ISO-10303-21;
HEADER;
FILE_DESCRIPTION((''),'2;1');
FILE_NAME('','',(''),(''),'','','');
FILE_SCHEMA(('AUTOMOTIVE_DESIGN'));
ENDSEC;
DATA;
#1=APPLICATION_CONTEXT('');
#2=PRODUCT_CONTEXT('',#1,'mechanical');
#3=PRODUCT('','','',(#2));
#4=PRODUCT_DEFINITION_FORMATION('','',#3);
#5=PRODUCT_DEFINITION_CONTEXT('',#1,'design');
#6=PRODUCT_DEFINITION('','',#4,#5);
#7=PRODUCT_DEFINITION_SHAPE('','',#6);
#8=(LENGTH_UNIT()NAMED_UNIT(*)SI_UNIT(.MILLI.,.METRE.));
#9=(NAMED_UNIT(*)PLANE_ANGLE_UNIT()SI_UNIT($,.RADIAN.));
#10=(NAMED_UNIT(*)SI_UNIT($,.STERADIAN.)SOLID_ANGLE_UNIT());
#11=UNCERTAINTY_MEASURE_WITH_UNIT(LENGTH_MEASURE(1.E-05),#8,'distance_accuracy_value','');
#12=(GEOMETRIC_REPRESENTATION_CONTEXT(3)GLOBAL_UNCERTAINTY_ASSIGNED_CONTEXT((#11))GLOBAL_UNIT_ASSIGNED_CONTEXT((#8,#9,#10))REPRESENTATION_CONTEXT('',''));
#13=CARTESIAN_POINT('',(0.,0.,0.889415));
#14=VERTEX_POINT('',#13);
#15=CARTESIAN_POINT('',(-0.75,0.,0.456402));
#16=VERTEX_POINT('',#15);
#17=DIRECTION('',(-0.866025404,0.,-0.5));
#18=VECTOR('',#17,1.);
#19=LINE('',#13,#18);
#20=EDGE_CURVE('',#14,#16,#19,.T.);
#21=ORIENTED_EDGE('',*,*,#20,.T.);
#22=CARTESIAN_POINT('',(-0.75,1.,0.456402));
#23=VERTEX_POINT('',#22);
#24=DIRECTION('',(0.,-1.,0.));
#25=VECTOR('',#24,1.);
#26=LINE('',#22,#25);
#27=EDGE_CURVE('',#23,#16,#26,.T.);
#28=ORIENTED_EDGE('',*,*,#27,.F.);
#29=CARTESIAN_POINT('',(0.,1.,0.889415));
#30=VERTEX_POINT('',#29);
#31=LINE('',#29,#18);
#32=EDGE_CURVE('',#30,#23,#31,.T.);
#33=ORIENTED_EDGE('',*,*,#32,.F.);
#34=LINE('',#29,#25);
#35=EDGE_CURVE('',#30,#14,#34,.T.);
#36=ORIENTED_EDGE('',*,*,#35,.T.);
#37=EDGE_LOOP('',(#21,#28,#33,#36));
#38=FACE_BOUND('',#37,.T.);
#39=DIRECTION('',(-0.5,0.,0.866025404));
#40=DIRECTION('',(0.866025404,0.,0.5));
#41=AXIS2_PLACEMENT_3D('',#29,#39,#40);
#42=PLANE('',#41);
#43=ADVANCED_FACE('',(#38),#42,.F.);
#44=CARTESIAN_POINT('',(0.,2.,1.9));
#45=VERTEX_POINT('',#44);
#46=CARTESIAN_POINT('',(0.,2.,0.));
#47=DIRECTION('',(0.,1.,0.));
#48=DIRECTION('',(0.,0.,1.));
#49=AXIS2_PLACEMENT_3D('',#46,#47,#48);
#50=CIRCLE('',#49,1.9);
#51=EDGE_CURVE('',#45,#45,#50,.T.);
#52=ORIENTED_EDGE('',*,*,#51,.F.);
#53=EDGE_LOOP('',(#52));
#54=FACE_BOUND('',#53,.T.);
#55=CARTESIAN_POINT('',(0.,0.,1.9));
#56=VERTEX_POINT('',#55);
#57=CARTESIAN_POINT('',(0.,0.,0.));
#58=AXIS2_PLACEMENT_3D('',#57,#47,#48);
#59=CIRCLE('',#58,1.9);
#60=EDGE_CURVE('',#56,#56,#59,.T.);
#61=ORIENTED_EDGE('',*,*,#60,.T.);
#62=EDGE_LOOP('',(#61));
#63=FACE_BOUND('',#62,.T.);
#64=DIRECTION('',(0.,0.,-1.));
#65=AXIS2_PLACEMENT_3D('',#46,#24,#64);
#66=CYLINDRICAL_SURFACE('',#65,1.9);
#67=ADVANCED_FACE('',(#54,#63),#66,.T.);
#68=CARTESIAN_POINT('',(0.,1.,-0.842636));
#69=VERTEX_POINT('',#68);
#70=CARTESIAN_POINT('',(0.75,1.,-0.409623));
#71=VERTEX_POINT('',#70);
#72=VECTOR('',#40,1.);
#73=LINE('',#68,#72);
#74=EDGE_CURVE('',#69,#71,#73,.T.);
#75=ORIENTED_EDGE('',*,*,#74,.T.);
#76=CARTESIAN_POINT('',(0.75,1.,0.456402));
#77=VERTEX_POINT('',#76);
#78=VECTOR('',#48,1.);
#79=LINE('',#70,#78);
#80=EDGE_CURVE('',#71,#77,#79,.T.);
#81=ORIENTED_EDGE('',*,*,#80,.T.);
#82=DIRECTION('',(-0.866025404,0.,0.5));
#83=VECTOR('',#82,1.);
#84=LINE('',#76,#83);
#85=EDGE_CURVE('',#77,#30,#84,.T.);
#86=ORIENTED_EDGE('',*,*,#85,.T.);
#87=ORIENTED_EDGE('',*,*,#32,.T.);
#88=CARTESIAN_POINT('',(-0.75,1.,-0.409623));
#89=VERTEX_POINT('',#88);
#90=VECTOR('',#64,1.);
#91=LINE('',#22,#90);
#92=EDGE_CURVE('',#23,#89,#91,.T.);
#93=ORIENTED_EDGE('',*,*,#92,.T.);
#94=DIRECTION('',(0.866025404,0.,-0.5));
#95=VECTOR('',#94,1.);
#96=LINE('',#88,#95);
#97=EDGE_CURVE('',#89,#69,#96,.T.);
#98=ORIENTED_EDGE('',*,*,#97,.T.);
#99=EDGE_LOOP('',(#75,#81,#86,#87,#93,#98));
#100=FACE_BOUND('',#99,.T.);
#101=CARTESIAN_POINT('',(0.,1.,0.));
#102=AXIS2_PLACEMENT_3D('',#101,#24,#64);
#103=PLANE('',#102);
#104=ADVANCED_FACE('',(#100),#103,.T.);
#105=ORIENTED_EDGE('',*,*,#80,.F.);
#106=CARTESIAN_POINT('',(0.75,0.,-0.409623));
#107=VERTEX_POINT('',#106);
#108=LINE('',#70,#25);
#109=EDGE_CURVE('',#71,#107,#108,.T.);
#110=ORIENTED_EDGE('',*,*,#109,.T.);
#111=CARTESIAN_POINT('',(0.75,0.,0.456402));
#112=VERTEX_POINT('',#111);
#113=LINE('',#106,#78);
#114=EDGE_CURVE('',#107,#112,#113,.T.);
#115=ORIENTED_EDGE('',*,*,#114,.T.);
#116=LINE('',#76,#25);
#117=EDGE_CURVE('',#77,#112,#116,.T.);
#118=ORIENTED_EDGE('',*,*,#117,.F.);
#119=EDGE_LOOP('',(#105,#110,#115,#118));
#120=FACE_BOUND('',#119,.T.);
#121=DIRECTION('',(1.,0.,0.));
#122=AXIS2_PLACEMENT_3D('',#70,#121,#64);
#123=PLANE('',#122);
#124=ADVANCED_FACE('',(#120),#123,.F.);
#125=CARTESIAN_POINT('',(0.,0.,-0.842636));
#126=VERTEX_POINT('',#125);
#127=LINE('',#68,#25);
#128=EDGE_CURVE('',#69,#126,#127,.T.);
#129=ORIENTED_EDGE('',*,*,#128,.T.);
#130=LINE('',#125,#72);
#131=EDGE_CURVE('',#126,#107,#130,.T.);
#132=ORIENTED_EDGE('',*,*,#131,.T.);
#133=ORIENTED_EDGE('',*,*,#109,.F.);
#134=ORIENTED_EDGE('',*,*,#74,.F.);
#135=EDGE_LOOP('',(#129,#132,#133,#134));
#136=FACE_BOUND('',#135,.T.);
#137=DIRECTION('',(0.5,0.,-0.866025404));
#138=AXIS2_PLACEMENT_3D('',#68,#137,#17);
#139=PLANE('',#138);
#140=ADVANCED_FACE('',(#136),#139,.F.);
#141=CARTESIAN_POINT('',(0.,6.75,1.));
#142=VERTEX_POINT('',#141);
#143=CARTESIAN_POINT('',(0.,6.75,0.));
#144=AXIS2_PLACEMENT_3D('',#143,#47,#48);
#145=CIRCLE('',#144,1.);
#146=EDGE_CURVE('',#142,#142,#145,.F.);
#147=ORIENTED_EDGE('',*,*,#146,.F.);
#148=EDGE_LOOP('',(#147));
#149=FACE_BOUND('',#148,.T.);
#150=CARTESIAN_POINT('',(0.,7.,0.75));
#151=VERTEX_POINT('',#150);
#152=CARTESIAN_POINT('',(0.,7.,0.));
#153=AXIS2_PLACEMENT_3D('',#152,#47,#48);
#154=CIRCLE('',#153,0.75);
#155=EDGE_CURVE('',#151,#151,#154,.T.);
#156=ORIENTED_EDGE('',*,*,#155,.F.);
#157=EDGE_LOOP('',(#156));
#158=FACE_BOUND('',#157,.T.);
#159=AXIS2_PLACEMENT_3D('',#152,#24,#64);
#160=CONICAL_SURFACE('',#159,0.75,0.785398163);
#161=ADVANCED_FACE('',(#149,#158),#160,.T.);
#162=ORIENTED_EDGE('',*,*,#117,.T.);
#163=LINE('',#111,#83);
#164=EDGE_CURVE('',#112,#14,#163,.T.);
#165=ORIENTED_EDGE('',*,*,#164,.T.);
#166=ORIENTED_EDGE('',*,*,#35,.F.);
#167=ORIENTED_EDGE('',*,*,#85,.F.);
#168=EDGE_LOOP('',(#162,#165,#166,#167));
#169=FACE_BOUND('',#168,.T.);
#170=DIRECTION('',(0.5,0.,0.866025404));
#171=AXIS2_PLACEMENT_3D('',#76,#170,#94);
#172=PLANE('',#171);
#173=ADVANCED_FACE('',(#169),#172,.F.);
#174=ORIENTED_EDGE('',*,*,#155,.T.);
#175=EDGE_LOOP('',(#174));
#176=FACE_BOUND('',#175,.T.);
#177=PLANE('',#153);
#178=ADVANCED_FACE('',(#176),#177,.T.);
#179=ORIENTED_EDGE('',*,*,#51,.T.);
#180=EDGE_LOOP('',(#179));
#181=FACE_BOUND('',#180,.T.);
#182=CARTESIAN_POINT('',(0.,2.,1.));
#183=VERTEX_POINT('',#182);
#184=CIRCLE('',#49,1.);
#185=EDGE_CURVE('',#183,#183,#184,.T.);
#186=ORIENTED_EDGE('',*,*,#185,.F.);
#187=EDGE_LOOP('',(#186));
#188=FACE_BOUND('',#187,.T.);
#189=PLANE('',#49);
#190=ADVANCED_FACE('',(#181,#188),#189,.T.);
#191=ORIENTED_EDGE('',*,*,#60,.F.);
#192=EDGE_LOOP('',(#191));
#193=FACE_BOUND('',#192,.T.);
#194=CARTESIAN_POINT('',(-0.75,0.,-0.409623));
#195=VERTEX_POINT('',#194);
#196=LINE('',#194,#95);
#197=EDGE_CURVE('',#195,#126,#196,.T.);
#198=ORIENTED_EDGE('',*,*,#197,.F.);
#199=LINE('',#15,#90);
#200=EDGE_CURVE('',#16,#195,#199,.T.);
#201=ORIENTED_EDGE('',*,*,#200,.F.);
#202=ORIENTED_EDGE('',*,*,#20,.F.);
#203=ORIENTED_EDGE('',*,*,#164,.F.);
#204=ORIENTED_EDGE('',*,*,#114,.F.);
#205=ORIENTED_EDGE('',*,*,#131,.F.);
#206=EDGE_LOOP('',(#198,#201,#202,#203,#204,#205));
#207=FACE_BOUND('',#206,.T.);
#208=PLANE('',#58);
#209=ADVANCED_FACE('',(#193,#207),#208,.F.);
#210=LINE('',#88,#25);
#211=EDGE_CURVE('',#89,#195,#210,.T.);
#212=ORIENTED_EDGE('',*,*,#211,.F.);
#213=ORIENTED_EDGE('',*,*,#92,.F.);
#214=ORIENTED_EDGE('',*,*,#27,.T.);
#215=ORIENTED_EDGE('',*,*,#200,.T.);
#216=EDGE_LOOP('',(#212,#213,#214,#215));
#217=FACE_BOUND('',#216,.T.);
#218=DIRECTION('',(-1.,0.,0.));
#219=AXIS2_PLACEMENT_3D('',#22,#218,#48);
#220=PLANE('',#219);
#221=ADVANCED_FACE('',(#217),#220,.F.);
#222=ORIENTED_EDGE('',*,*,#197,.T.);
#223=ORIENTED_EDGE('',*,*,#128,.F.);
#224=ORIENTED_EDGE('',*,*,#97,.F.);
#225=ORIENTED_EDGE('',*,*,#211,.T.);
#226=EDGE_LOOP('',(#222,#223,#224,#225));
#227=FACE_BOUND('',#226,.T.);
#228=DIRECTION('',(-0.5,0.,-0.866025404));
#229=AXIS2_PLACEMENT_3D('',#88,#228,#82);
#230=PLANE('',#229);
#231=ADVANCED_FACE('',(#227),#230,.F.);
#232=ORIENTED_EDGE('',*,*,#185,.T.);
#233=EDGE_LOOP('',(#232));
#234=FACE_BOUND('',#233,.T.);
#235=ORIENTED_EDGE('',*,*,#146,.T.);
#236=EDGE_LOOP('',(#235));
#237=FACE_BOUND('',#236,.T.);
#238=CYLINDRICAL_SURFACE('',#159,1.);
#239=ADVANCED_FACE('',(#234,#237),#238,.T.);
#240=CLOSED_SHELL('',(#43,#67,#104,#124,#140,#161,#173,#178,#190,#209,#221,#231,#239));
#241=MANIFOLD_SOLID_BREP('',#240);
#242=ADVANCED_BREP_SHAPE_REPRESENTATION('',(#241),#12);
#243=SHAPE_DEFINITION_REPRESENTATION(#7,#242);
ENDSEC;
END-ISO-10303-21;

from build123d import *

# Parameters (mm, degrees)
SKETCH1_R           = 1.9
BOSS_EXTRUDE1_DEPTH = 2
SKETCH2_R           = 1
BOSS_EXTRUDE2_DEPTH = 5
CUT_EXTRUDE1_DEPTH  = 1
CHAMFER1_SIZE       = 0.25


with BuildPart() as part:
    # Sketch1 → Boss-Extrude1 (new body)
    with BuildSketch(Plane(origin=(0, 0, 0), x_dir=(1, 0, 0), z_dir=(0, 1, 0))):
        with Locations(Location((0, 0, 0), (0, 0, 270))):
            Circle(SKETCH1_R)
    extrude(amount=BOSS_EXTRUDE1_DEPTH)

    # Sketch2 → Boss-Extrude2 (add)
    with BuildSketch(Plane(origin=(0, 2, 0), x_dir=(1, 0, 0), z_dir=(0, 1, 0))):
        with Locations(Location((0, 0, 0), (0, 0, 270))):
            Circle(SKETCH2_R)
    extrude(amount=BOSS_EXTRUDE2_DEPTH)

    # Sketch3 → Cut-Extrude1 (cut)
    with BuildSketch(Plane.XZ):
        Polygon((0, -0.842636122), (0.75, -0.40962342), (0.75, 0.456401984), (0, 0.889414686), (-0.75, 0.456401984), (-0.75, -0.40962342), align=None)
    extrude(amount=-CUT_EXTRUDE1_DEPTH, mode=Mode.SUBTRACT)

    # Chamfer1
    chamfer1_edges = [part.edges().sort_by_distance(p)[0] for p in [
        (0, 7, -1),
    ]]
    chamfer(chamfer1_edges, length=CHAMFER1_SIZE)


solid = part.part
